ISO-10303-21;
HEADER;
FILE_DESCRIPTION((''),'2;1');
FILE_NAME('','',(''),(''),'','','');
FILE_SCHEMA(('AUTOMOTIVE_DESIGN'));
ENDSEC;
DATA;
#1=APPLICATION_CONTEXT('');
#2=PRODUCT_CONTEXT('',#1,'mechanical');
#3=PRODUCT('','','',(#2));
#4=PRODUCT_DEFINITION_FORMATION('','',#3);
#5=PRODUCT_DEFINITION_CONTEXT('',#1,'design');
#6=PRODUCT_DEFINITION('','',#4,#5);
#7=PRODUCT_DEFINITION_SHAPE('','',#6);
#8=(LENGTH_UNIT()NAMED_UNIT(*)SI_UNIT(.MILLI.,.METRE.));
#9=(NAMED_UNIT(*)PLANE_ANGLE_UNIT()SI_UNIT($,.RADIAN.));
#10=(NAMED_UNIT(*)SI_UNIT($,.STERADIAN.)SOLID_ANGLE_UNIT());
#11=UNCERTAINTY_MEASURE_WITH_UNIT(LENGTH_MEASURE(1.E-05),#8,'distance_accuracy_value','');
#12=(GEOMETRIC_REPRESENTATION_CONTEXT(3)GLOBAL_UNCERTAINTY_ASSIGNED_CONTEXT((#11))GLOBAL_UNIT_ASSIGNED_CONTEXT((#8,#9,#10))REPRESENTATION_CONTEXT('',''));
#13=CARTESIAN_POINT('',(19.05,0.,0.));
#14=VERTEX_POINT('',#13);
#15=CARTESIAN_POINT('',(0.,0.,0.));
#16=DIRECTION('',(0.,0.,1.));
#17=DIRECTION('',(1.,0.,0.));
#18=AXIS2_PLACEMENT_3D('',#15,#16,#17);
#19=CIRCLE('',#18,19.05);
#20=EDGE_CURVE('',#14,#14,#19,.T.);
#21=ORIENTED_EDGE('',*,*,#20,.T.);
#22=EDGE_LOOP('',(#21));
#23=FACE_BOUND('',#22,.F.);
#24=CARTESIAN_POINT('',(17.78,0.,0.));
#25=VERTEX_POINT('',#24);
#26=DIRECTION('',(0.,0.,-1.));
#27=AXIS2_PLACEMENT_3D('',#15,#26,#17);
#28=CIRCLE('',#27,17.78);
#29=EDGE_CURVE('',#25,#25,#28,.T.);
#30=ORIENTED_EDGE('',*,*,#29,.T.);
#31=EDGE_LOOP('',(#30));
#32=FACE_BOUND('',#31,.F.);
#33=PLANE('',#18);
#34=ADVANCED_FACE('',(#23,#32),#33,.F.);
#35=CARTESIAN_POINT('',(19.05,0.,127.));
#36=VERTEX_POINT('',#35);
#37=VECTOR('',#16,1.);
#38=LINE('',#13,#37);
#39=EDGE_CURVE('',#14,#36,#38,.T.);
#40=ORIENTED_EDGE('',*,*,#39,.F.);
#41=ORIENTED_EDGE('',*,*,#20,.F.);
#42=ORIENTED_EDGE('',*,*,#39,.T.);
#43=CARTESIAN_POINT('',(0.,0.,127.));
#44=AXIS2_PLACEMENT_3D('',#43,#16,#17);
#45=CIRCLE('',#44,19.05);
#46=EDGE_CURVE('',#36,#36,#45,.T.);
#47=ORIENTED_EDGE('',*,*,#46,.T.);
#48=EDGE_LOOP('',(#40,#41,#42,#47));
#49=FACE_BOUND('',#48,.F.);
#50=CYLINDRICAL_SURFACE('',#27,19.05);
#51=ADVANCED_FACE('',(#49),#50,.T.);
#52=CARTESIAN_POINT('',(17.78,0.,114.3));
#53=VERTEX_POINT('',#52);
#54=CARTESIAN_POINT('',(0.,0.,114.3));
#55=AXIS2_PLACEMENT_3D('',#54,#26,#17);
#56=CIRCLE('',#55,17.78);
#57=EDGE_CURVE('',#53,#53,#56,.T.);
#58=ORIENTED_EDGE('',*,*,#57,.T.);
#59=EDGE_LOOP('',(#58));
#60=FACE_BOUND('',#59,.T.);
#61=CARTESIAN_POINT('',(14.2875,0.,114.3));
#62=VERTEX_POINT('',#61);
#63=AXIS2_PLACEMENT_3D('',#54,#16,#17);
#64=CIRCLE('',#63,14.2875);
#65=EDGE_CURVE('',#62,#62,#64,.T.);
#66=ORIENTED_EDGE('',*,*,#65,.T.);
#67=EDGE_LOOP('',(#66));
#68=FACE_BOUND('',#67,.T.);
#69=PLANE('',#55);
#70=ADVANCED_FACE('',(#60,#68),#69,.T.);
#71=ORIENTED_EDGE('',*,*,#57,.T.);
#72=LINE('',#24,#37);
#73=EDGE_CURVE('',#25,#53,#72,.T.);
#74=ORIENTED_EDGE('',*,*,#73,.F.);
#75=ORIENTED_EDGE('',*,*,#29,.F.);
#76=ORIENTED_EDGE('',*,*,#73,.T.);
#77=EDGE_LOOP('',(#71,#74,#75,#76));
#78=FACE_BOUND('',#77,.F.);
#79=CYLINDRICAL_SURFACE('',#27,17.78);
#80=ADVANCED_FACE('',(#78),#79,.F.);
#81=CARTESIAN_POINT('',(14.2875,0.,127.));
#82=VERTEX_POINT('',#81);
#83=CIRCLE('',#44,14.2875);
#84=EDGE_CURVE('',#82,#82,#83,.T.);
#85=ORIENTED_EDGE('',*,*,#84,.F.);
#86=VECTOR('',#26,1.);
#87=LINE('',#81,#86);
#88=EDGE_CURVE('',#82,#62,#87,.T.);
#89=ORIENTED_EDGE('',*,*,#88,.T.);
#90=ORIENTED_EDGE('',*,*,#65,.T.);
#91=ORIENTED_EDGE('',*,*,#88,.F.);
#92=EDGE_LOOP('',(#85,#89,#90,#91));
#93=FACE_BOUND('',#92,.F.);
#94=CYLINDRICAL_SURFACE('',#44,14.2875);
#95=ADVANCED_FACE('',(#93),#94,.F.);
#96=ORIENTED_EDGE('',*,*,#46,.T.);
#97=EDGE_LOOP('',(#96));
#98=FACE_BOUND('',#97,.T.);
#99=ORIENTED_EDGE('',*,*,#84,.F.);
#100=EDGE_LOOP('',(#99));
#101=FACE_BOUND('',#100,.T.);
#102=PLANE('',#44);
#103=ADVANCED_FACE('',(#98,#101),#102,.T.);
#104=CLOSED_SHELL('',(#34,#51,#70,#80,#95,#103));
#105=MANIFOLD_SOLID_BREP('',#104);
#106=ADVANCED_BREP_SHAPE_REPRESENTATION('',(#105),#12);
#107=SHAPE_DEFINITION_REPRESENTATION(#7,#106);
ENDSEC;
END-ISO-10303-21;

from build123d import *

# Parameters (mm, degrees)
F0_R     = 19.05
F1_DEPTH = 127
F2_R     = 14.2875
F3_DEPTH = 127.001
F4_R     = 17.78
F5_DEPTH = 114.3


with BuildPart() as f1:
    # F0 (on Top) → F1 (new body)
    with BuildSketch(Plane.XY):
        Circle(F0_R)
    extrude(amount=F1_DEPTH)

    # F2 (on face) → F3 (cut, through all)
    with BuildSketch(Plane.XY.offset(127)):
        Circle(F2_R)
    extrude(amount=-F3_DEPTH, mode=Mode.SUBTRACT)

    # F4 (on face) → F5 (cut)
    with BuildSketch(Plane(origin=(0, 0, 0), x_dir=(1, 0, 0), z_dir=(0, 0, -1))):
        Circle(F4_R)
    extrude(amount=-F5_DEPTH, mode=Mode.SUBTRACT)


solid = f1.part
